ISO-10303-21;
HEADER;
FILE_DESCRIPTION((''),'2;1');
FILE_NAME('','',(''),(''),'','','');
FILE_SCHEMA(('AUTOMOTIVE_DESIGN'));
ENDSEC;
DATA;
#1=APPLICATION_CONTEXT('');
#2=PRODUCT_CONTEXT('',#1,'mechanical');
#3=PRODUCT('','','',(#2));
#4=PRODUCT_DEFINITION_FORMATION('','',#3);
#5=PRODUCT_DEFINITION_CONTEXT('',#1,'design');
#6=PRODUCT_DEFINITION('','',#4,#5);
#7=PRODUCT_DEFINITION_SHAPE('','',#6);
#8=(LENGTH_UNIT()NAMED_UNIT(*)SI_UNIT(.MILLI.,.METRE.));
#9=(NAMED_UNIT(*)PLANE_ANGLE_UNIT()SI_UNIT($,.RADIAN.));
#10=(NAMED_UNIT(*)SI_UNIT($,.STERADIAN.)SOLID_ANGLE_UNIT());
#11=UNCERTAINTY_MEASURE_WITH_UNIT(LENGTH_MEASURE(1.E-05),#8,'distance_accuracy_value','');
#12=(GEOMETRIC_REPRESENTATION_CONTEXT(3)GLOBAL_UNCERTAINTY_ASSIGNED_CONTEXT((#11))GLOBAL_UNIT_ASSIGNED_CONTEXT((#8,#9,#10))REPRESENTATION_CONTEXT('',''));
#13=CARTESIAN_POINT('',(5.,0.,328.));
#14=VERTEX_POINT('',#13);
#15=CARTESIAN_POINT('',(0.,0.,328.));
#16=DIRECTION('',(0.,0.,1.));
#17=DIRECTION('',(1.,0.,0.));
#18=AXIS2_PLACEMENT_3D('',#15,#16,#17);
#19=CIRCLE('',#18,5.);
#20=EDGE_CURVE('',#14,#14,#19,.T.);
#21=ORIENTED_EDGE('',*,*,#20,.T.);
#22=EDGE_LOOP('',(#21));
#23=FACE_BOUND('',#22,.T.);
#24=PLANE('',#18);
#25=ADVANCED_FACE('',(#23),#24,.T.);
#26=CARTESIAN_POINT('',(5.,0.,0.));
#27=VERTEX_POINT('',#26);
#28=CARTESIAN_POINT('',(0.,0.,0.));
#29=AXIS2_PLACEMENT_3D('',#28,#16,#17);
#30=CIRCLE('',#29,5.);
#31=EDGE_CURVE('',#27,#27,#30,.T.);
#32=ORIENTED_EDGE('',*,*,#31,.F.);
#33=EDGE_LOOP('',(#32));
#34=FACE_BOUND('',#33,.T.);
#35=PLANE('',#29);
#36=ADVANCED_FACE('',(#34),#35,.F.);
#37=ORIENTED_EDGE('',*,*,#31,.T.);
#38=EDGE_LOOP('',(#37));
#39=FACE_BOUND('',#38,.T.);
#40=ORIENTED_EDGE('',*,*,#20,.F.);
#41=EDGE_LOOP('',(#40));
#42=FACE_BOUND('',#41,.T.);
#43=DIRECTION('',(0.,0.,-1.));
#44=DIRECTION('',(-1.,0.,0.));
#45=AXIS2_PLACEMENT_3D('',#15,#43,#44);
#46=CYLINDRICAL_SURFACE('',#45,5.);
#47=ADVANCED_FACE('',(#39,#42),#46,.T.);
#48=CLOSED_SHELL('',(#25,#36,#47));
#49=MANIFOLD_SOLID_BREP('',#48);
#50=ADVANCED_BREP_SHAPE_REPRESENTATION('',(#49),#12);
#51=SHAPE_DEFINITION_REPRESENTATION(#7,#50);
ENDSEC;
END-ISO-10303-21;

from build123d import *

# Parameters (mm, degrees)
SKETCH_1_R      = 5
EXTRUDE_1_DEPTH = 328


with BuildPart() as part:
    # Эскиз1 → Бобышка-Вытянуть1 (new body)
    with BuildSketch(Plane.XY):
        Circle(SKETCH_1_R)
    extrude(amount=EXTRUDE_1_DEPTH)


solid = part.part
